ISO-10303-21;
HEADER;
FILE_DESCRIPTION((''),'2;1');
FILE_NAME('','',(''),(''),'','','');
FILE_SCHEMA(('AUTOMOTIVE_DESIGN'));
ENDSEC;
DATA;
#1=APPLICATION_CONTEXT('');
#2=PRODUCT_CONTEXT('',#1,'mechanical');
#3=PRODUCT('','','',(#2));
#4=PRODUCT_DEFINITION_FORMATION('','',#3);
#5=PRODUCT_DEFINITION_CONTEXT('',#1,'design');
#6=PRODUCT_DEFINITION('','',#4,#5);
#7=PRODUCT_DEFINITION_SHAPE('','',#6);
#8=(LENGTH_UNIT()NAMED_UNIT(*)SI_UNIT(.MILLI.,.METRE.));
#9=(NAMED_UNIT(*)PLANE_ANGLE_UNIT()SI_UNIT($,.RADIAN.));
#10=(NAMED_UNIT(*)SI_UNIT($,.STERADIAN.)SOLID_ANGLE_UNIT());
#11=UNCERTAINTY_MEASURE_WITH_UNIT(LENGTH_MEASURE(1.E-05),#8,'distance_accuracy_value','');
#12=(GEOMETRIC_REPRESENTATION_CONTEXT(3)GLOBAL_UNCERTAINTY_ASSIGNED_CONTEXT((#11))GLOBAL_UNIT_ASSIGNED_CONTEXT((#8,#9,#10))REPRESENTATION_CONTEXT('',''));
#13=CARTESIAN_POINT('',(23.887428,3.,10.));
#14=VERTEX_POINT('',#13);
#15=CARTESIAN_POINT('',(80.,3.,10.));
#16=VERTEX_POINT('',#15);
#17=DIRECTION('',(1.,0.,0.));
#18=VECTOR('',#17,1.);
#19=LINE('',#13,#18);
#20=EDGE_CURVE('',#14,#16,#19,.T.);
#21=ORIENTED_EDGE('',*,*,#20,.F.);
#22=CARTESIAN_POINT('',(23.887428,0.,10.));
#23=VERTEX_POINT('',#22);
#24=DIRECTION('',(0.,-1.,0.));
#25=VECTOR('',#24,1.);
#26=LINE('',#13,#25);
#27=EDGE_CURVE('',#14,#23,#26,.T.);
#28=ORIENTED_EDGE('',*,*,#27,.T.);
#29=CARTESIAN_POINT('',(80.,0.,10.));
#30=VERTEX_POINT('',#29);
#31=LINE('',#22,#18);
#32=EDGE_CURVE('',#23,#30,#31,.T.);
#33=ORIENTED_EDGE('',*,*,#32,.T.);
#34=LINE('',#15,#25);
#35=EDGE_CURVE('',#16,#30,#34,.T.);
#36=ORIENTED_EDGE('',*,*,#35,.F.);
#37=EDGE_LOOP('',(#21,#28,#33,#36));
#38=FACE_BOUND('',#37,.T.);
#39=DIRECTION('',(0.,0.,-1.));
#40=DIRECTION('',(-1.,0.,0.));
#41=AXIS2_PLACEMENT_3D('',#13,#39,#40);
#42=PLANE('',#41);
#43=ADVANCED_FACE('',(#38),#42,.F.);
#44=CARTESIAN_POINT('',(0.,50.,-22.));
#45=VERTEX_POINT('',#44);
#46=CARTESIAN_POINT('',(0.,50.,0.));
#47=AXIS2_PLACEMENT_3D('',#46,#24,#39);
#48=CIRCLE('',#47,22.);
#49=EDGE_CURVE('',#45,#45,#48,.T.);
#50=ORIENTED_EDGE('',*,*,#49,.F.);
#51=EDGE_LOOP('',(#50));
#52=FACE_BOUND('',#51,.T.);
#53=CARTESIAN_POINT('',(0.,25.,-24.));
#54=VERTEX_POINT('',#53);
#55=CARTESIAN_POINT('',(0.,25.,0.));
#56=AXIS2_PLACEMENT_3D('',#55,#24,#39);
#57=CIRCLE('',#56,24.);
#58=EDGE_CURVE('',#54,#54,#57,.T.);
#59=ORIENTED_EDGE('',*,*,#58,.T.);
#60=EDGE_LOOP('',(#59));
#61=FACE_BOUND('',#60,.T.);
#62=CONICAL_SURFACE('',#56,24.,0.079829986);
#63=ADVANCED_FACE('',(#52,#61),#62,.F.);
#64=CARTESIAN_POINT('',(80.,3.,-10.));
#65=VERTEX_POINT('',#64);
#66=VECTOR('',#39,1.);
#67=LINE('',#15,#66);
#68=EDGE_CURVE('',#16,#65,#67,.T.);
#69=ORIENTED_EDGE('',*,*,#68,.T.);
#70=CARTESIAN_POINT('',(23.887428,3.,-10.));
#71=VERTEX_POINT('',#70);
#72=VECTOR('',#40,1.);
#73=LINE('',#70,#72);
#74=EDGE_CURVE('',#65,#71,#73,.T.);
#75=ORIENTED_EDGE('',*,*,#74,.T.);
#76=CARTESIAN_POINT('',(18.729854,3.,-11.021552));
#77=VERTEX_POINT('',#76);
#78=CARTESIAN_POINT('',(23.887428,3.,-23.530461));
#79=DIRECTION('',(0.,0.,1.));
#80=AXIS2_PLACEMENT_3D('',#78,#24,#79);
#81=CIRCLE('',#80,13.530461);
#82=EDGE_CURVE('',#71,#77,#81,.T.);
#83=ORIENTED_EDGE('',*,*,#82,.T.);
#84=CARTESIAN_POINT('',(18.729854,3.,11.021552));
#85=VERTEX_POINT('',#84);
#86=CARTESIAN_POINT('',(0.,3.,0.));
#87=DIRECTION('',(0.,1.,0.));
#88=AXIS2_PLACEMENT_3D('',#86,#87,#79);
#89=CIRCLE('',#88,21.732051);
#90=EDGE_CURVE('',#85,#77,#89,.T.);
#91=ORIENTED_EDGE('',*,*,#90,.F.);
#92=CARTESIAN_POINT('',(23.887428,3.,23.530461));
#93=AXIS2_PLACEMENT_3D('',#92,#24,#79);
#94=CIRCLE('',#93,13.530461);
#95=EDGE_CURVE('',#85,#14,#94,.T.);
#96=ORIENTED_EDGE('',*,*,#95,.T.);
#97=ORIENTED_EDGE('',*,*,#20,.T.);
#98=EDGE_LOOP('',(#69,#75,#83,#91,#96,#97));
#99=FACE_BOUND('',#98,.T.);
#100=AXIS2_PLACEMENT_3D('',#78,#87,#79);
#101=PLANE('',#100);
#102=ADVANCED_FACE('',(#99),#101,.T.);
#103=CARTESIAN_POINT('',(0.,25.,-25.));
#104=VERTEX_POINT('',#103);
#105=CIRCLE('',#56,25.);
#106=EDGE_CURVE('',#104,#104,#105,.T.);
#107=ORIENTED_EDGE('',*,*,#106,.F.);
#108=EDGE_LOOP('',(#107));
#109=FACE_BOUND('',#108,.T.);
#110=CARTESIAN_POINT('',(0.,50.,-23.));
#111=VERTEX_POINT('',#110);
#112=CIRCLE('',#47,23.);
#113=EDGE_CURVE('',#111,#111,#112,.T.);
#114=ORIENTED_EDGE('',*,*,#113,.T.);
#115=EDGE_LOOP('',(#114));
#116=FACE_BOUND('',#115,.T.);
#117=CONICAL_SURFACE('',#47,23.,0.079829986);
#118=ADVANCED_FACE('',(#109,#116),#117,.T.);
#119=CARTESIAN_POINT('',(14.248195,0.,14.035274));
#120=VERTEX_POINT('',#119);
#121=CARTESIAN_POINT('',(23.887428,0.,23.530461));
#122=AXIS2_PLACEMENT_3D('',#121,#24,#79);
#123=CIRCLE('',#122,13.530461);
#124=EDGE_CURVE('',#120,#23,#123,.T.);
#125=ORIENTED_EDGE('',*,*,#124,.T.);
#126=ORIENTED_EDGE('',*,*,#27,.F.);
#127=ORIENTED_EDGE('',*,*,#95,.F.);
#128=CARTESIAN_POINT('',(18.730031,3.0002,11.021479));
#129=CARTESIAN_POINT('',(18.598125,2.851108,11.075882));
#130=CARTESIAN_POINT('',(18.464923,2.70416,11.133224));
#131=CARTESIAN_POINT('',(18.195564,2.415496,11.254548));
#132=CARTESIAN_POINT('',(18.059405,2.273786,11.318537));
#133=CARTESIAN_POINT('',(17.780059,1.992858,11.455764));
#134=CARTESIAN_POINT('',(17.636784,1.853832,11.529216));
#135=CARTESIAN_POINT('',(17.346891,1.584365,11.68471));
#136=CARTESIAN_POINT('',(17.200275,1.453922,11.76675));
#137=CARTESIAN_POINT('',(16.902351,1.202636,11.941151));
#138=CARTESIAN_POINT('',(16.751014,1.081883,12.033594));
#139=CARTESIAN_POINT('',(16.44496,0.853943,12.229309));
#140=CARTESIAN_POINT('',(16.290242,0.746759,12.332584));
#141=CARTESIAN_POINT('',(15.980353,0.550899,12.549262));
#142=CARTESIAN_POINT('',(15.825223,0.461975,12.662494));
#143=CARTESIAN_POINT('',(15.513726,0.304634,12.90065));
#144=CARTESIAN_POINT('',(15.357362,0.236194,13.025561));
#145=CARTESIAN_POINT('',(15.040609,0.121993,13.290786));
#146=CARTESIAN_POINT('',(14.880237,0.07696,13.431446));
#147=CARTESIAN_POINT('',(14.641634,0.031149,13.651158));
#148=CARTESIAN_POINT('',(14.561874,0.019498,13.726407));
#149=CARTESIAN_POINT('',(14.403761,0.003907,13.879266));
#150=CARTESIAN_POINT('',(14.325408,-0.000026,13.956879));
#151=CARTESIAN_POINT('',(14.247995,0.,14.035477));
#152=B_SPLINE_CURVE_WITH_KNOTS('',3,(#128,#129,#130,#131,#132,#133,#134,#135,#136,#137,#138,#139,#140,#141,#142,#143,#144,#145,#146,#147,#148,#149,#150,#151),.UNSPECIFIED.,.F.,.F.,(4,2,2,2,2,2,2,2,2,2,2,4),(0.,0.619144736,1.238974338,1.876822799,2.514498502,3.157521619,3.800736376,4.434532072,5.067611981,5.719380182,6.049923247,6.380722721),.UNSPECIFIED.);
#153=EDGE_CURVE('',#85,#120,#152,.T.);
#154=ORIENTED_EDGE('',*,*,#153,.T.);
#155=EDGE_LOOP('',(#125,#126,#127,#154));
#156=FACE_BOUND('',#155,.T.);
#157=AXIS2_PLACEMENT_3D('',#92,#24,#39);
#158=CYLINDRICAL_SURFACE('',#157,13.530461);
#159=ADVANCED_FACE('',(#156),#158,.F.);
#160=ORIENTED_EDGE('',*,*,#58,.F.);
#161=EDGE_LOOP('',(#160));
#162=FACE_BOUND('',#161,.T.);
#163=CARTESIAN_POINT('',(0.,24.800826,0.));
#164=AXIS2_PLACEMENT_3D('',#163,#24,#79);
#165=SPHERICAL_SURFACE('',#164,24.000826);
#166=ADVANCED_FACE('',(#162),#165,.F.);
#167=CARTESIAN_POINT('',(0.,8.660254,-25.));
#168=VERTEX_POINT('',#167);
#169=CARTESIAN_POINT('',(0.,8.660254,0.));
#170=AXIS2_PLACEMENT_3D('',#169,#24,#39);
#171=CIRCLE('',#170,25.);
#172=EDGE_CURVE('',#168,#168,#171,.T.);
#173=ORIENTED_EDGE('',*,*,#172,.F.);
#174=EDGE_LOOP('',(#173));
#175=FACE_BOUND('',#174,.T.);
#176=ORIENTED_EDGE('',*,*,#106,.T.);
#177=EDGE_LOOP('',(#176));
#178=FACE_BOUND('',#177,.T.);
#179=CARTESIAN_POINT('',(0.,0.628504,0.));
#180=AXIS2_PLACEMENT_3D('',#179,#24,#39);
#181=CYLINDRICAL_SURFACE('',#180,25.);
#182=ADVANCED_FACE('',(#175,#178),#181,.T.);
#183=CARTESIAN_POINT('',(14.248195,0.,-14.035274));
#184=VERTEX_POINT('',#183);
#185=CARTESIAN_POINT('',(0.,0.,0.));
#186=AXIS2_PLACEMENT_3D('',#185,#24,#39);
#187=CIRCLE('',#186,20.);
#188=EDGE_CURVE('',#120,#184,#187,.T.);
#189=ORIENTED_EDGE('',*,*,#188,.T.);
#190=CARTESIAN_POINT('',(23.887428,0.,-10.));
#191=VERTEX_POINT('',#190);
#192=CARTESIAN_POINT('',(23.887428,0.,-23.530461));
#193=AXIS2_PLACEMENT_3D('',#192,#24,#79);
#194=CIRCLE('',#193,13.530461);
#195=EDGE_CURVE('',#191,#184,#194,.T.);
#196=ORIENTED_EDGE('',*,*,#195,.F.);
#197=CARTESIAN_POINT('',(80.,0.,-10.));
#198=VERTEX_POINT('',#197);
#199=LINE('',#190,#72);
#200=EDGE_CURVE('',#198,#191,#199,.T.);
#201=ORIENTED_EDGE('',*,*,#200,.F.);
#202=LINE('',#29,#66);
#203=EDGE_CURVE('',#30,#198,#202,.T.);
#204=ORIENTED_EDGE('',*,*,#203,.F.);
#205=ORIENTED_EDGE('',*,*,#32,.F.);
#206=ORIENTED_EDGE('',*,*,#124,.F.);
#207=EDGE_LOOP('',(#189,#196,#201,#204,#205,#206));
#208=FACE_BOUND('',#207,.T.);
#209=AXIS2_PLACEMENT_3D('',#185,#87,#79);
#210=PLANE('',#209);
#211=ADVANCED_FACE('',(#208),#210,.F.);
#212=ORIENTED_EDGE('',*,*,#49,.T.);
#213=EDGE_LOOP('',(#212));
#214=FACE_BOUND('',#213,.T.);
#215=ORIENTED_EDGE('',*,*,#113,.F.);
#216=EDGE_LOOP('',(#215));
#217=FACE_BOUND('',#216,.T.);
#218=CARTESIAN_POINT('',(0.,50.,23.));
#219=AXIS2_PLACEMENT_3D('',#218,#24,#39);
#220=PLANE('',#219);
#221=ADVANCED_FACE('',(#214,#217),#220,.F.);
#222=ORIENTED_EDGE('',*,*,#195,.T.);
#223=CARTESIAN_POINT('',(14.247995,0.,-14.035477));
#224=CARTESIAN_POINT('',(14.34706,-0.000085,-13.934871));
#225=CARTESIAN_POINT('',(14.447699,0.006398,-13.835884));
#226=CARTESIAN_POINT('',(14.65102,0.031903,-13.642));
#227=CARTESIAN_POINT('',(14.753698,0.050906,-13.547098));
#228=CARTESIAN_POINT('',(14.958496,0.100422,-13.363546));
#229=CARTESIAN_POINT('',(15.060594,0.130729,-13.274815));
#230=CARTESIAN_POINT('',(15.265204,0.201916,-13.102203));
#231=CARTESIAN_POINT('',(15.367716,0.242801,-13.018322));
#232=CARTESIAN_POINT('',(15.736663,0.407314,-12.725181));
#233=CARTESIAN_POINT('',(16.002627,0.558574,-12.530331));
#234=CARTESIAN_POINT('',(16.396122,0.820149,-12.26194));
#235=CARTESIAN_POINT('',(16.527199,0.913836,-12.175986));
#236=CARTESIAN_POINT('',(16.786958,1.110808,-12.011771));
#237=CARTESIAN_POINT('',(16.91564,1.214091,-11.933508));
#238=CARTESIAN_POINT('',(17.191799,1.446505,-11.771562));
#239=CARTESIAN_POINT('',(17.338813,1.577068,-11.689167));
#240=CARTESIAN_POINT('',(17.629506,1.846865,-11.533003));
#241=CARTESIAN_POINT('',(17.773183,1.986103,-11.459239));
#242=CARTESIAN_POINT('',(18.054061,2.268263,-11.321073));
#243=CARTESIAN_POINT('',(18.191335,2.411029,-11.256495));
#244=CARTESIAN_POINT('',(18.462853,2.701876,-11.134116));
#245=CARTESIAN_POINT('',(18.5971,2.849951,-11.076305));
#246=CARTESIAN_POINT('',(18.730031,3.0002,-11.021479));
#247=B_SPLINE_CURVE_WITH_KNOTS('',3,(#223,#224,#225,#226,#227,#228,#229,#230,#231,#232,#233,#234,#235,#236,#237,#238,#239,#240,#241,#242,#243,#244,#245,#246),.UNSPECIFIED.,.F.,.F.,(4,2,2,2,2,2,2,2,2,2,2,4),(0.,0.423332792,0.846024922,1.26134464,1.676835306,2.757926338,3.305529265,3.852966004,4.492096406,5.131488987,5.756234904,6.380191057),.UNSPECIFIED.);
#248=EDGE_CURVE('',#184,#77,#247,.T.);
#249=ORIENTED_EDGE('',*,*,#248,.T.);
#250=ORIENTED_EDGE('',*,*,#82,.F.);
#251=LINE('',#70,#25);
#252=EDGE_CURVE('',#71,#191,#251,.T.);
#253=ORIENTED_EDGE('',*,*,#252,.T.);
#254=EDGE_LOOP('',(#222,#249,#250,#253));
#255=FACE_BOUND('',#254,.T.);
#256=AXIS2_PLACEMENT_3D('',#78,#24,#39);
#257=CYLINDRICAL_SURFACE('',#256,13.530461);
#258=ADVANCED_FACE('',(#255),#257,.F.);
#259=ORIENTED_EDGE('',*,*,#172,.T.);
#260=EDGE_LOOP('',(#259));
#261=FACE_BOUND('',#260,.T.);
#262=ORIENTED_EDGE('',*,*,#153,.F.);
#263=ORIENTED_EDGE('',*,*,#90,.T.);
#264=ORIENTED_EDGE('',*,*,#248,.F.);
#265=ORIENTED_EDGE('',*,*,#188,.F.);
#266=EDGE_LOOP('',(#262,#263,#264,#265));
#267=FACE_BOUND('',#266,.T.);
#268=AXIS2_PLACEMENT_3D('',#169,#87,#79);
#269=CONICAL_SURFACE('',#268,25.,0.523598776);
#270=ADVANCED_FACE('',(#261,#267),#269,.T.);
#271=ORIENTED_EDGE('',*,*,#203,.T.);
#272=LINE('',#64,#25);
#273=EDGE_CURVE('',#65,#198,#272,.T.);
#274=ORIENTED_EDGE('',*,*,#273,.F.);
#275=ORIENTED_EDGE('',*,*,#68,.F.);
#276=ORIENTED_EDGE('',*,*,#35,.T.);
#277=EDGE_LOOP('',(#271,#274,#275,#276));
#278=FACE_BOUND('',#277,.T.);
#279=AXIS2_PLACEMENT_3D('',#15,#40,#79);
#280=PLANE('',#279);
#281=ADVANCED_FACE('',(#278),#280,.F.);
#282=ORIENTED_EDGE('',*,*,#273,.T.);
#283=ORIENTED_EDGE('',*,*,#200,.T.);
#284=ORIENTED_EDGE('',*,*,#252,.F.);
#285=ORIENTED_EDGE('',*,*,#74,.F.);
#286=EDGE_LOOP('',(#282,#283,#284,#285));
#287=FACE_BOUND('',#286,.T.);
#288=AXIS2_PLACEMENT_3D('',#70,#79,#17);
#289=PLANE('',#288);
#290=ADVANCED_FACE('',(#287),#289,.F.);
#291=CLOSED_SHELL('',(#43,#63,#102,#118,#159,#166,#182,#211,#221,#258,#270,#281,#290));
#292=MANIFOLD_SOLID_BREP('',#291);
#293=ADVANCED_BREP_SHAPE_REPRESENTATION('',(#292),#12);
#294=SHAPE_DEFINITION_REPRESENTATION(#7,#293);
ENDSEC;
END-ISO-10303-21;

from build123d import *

# Parameters (mm, degrees)
BOSS_EXTRUDE2_DEPTH = 3


with BuildPart() as part:
    # Sketch6 → Revolve1 (revolve)
    with BuildSketch(Plane(origin=(0, 0, 0), x_dir=(0, 0, -1), z_dir=(1, 0, 0)), mode=Mode.PRIVATE) as revolve1_sk:
        with BuildLine():
            Line((0, 0), (-20, 0))
            Line((-20, 0), (-25, 8.660254038))
            Line((-25, 8.660254038), (-25, 25))
            Line((-25, 25), (-23, 50))
            Line((-23, 50), (-22, 50))
            Line((-22, 50), (-24, 25))
            ThreePointArc((-24, 25), (-17.041420129, 7.900244501), (0, 0.8))
            Line((0, 0.8), (0, 0))
        make_face()
    revolve(revolve1_sk.sketch.rotate(Axis((0, 0.628504357, 0), (0, 1, 0)), 180), axis=Axis((0, 0.628504357, 0), (0, 1, 0)))

    # Sketch7 → Boss-Extrude2 (add)
    with BuildSketch(Plane(origin=(0, 0, 0), x_dir=(1, 0, 0), z_dir=(0, 1, 0))):
        with BuildLine():
            Line((23.887428117, -10), (80, -10))
            Line((80, -10), (80, 10))
            Line((80, 10), (23.887428117, 10))
            ThreePointArc((23.887428117, 10), (18.662529879, 11.049522995), (14.248195421, 14.035274392))
            ThreePointArc((14.248195421, 14.035274392), (20, 0), (14.248195421, -14.035274392))
            ThreePointArc((14.248195421, -14.035274392), (18.662529879, -11.049522995), (23.887428117, -10))
        make_face()
    extrude(amount=BOSS_EXTRUDE2_DEPTH)


solid = part.part
